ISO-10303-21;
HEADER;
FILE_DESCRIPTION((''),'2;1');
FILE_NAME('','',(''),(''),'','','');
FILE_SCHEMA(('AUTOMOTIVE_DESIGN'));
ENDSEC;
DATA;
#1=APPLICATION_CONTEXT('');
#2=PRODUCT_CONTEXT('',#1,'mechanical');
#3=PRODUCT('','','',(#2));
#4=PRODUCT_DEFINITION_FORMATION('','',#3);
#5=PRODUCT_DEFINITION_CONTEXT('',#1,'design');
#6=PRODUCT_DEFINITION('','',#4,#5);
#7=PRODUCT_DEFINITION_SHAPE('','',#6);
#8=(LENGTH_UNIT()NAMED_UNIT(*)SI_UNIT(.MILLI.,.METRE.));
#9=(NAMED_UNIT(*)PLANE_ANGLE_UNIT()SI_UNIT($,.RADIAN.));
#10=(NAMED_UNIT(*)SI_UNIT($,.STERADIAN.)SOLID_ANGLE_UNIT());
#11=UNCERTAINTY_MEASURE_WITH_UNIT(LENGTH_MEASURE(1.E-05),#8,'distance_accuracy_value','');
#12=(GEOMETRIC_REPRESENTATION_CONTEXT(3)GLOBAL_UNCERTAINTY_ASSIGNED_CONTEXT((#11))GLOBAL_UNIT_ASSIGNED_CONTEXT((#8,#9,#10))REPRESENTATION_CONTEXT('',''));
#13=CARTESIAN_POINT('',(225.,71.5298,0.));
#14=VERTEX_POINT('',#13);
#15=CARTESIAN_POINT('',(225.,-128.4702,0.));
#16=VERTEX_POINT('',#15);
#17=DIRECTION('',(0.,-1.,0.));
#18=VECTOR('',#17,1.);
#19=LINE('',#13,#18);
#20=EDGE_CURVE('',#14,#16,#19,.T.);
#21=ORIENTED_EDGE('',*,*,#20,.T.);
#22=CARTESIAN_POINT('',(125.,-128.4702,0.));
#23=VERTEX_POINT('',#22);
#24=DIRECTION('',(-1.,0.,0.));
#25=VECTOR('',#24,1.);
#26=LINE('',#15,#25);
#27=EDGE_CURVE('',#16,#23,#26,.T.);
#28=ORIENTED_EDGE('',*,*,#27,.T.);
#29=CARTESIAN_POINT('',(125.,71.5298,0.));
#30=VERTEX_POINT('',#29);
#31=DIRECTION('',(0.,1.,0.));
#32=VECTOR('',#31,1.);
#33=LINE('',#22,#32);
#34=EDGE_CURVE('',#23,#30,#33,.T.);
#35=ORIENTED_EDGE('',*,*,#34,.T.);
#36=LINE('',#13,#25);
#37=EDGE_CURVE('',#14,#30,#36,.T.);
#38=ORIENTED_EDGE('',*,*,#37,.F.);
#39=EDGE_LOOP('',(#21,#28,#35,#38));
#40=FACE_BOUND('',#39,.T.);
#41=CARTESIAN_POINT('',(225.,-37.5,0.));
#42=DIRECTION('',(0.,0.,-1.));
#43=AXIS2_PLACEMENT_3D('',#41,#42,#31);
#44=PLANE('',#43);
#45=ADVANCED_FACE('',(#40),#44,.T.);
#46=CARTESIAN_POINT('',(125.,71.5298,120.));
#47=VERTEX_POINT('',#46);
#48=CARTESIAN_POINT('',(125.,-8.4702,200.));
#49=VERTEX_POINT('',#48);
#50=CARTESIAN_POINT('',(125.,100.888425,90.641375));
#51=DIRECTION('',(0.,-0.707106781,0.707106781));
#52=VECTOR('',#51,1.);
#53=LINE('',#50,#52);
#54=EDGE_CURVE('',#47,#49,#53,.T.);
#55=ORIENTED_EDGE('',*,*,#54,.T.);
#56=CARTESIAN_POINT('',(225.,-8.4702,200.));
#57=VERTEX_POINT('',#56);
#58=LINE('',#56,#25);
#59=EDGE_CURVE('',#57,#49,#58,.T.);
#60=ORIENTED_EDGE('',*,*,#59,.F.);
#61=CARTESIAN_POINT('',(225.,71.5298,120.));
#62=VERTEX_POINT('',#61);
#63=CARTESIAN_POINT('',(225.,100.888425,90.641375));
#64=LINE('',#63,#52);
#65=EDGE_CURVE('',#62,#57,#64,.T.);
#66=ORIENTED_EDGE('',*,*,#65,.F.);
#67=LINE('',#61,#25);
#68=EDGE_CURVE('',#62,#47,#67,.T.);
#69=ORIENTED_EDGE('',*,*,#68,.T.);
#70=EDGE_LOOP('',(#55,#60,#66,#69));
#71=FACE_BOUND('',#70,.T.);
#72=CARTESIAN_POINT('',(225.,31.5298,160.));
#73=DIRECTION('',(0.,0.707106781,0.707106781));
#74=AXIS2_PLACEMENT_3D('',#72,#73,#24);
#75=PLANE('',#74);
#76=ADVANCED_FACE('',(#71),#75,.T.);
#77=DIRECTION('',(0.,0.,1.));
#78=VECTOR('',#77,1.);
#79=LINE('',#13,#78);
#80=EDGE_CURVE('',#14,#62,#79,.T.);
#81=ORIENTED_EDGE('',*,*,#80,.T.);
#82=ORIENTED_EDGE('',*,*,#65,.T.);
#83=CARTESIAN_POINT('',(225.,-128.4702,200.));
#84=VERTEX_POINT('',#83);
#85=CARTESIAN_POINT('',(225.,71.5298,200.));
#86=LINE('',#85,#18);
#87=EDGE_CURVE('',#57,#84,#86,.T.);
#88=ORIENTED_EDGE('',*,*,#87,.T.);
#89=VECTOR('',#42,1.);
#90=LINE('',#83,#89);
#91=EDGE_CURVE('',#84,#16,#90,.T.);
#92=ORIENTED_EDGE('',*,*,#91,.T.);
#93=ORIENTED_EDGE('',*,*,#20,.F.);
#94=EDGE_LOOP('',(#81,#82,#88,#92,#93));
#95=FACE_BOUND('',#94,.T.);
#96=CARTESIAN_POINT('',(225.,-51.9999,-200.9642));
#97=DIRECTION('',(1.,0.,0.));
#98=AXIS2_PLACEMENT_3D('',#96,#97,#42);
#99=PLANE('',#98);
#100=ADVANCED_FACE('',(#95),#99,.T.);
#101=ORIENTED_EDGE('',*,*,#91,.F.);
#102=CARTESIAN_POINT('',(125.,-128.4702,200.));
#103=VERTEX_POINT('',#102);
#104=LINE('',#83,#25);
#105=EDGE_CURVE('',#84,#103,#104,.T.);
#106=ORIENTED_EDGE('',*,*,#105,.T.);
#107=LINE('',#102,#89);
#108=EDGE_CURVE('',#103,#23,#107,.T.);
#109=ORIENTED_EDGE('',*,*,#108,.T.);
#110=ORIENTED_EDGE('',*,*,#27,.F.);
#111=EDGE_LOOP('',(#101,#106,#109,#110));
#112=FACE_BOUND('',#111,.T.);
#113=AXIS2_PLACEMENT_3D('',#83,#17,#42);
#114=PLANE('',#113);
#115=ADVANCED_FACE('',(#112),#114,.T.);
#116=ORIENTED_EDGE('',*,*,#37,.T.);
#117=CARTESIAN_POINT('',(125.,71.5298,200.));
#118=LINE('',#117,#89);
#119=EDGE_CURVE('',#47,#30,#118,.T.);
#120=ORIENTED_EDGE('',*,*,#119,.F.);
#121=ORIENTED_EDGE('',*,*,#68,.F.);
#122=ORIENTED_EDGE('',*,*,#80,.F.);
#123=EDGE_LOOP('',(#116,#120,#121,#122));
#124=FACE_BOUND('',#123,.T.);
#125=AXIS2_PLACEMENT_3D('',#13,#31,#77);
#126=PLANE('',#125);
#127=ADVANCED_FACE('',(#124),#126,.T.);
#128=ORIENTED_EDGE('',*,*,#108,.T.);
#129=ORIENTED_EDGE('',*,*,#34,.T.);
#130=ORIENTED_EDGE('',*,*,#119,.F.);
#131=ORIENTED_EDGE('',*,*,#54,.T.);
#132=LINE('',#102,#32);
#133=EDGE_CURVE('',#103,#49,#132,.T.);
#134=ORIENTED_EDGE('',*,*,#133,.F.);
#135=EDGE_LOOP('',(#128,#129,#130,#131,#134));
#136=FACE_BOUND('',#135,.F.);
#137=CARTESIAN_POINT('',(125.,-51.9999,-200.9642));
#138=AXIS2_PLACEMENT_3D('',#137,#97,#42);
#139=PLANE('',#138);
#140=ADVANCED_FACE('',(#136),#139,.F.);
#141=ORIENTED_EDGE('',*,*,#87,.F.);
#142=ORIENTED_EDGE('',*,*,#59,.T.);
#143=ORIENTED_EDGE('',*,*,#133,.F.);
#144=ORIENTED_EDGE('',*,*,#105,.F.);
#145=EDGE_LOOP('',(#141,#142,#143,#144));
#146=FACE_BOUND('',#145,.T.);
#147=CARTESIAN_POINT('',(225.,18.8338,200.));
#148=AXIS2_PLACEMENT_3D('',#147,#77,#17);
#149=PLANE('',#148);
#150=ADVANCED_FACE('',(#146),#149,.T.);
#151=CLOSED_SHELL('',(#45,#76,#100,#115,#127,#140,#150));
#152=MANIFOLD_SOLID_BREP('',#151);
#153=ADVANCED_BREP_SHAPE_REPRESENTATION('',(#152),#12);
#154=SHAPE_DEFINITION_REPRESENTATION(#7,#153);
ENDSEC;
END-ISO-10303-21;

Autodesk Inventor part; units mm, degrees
ref_plane "YZ Plane" through (0, 0, 0) normal (1, 0, 0) x (0, 1, 0)
ref_plane "XZ Plane" through (0, 0, 0) normal (0, 1, 0) x (-1, 0, 0)
ref_plane "XY Plane" through (0, 0, 0) normal (0, 0, 1) x (1, 0, 0)
ref_plane "Work Plane1" through (225, -51.9999, -200.9642) normal (1, 0, 0) x (0, 0, -1)
sketch "Sketch1" plane through (225, -51.9999, -200.9642) normal (1, 0, 0) x (0, 0, -1)
  line L0 (-200.9642, 89.4999) -> (-130.9642, 89.4999) projected
  line L1 (-130.9642, 89.4999) -> (-130.9642, 14.4999) projected
  line L2 (-130.9642, 14.4999) -> (-200.9642, 14.4999) projected
  line L3 (-200.9642, 14.4999) -> (-200.9642, -53.5599) projected
  line L4 (-200.9642, -53.5599) -> (-122.2497, -53.5599) projected
  ellipse E0 centre (-122.3295, -48.5209) end of major axis (-118.6887, -52.0634) minor radius 5 (-122.2497, -53.5599) -> (-117.3008, -48.2463) ccw projected
  line L5 (-117.3008, -48.2463) -> (-117.6163, -43.7662) projected
  line L6 (-117.6163, -43.7662) -> (-94.1545, -42.114) projected
  line L7 (-94.1545, -42.114) -> (-81.3155, 140.1971) projected
  arc A0 (-81.3155, 140.1971) -> (-85.9519, 145.536) centre (-86.3031, 140.5484) ccw projected
  line L8 (-85.9519, 145.536) -> (-117.6163, 147.7659) projected
  line L9 (-117.6163, 147.7659) -> (-117.3008, 152.246) projected
  ellipse E1 centre (-122.3295, 152.5206) end of major axis (-118.6887, 156.0631) minor radius 5 (-117.3008, 152.246) -> (-122.2497, 157.5596) ccw projected
  line L10 (-122.2497, 157.5596) -> (-200.9642, 157.5596) projected
  line L11 (-200.9642, 89.4999) -> (-200.9642, 157.5596) projected
  line L12 (-200.9642, 123.5297) -> (-400.9642, 123.5297)
  line L13 (-400.9642, 123.5297) -> (-400.9642, -76.4703)
  line L14 (-400.9642, -76.4703) -> (-200.9642, -76.4703)
  line L15 (-200.9642, -76.4703) -> (-200.9642, 123.5297)
  line L16 (-348.854, 122.9439) -> (-400.9642, 70.8337)
  line L17 (-347.4398, 123.5297) -> (-273.7448, 123.5297) construction
  arc A1 (-347.4398, 123.5297) -> (-348.854, 122.9439) centre (-347.4398, 121.5297) ccw
  point P0 (-200.9642, 51.9999)
  point P1 (-348.2682, 123.5297)
  dimension "d0" = 200
  dimension "d1" = 200
  dimension "d2" = 135
  dimension "d3" = 2
extrude "Extrusion1" add sketch "Sketch1" against normal blind 100 contours L15 L3 L14 L13 L16 A1 L12 L11 | A1 L16 L13 L12
chamfer "Chamfer1" distance 80 angle 45 1 edges at (175, 71.5299, 200)
properties part number "00_STORMModule"
